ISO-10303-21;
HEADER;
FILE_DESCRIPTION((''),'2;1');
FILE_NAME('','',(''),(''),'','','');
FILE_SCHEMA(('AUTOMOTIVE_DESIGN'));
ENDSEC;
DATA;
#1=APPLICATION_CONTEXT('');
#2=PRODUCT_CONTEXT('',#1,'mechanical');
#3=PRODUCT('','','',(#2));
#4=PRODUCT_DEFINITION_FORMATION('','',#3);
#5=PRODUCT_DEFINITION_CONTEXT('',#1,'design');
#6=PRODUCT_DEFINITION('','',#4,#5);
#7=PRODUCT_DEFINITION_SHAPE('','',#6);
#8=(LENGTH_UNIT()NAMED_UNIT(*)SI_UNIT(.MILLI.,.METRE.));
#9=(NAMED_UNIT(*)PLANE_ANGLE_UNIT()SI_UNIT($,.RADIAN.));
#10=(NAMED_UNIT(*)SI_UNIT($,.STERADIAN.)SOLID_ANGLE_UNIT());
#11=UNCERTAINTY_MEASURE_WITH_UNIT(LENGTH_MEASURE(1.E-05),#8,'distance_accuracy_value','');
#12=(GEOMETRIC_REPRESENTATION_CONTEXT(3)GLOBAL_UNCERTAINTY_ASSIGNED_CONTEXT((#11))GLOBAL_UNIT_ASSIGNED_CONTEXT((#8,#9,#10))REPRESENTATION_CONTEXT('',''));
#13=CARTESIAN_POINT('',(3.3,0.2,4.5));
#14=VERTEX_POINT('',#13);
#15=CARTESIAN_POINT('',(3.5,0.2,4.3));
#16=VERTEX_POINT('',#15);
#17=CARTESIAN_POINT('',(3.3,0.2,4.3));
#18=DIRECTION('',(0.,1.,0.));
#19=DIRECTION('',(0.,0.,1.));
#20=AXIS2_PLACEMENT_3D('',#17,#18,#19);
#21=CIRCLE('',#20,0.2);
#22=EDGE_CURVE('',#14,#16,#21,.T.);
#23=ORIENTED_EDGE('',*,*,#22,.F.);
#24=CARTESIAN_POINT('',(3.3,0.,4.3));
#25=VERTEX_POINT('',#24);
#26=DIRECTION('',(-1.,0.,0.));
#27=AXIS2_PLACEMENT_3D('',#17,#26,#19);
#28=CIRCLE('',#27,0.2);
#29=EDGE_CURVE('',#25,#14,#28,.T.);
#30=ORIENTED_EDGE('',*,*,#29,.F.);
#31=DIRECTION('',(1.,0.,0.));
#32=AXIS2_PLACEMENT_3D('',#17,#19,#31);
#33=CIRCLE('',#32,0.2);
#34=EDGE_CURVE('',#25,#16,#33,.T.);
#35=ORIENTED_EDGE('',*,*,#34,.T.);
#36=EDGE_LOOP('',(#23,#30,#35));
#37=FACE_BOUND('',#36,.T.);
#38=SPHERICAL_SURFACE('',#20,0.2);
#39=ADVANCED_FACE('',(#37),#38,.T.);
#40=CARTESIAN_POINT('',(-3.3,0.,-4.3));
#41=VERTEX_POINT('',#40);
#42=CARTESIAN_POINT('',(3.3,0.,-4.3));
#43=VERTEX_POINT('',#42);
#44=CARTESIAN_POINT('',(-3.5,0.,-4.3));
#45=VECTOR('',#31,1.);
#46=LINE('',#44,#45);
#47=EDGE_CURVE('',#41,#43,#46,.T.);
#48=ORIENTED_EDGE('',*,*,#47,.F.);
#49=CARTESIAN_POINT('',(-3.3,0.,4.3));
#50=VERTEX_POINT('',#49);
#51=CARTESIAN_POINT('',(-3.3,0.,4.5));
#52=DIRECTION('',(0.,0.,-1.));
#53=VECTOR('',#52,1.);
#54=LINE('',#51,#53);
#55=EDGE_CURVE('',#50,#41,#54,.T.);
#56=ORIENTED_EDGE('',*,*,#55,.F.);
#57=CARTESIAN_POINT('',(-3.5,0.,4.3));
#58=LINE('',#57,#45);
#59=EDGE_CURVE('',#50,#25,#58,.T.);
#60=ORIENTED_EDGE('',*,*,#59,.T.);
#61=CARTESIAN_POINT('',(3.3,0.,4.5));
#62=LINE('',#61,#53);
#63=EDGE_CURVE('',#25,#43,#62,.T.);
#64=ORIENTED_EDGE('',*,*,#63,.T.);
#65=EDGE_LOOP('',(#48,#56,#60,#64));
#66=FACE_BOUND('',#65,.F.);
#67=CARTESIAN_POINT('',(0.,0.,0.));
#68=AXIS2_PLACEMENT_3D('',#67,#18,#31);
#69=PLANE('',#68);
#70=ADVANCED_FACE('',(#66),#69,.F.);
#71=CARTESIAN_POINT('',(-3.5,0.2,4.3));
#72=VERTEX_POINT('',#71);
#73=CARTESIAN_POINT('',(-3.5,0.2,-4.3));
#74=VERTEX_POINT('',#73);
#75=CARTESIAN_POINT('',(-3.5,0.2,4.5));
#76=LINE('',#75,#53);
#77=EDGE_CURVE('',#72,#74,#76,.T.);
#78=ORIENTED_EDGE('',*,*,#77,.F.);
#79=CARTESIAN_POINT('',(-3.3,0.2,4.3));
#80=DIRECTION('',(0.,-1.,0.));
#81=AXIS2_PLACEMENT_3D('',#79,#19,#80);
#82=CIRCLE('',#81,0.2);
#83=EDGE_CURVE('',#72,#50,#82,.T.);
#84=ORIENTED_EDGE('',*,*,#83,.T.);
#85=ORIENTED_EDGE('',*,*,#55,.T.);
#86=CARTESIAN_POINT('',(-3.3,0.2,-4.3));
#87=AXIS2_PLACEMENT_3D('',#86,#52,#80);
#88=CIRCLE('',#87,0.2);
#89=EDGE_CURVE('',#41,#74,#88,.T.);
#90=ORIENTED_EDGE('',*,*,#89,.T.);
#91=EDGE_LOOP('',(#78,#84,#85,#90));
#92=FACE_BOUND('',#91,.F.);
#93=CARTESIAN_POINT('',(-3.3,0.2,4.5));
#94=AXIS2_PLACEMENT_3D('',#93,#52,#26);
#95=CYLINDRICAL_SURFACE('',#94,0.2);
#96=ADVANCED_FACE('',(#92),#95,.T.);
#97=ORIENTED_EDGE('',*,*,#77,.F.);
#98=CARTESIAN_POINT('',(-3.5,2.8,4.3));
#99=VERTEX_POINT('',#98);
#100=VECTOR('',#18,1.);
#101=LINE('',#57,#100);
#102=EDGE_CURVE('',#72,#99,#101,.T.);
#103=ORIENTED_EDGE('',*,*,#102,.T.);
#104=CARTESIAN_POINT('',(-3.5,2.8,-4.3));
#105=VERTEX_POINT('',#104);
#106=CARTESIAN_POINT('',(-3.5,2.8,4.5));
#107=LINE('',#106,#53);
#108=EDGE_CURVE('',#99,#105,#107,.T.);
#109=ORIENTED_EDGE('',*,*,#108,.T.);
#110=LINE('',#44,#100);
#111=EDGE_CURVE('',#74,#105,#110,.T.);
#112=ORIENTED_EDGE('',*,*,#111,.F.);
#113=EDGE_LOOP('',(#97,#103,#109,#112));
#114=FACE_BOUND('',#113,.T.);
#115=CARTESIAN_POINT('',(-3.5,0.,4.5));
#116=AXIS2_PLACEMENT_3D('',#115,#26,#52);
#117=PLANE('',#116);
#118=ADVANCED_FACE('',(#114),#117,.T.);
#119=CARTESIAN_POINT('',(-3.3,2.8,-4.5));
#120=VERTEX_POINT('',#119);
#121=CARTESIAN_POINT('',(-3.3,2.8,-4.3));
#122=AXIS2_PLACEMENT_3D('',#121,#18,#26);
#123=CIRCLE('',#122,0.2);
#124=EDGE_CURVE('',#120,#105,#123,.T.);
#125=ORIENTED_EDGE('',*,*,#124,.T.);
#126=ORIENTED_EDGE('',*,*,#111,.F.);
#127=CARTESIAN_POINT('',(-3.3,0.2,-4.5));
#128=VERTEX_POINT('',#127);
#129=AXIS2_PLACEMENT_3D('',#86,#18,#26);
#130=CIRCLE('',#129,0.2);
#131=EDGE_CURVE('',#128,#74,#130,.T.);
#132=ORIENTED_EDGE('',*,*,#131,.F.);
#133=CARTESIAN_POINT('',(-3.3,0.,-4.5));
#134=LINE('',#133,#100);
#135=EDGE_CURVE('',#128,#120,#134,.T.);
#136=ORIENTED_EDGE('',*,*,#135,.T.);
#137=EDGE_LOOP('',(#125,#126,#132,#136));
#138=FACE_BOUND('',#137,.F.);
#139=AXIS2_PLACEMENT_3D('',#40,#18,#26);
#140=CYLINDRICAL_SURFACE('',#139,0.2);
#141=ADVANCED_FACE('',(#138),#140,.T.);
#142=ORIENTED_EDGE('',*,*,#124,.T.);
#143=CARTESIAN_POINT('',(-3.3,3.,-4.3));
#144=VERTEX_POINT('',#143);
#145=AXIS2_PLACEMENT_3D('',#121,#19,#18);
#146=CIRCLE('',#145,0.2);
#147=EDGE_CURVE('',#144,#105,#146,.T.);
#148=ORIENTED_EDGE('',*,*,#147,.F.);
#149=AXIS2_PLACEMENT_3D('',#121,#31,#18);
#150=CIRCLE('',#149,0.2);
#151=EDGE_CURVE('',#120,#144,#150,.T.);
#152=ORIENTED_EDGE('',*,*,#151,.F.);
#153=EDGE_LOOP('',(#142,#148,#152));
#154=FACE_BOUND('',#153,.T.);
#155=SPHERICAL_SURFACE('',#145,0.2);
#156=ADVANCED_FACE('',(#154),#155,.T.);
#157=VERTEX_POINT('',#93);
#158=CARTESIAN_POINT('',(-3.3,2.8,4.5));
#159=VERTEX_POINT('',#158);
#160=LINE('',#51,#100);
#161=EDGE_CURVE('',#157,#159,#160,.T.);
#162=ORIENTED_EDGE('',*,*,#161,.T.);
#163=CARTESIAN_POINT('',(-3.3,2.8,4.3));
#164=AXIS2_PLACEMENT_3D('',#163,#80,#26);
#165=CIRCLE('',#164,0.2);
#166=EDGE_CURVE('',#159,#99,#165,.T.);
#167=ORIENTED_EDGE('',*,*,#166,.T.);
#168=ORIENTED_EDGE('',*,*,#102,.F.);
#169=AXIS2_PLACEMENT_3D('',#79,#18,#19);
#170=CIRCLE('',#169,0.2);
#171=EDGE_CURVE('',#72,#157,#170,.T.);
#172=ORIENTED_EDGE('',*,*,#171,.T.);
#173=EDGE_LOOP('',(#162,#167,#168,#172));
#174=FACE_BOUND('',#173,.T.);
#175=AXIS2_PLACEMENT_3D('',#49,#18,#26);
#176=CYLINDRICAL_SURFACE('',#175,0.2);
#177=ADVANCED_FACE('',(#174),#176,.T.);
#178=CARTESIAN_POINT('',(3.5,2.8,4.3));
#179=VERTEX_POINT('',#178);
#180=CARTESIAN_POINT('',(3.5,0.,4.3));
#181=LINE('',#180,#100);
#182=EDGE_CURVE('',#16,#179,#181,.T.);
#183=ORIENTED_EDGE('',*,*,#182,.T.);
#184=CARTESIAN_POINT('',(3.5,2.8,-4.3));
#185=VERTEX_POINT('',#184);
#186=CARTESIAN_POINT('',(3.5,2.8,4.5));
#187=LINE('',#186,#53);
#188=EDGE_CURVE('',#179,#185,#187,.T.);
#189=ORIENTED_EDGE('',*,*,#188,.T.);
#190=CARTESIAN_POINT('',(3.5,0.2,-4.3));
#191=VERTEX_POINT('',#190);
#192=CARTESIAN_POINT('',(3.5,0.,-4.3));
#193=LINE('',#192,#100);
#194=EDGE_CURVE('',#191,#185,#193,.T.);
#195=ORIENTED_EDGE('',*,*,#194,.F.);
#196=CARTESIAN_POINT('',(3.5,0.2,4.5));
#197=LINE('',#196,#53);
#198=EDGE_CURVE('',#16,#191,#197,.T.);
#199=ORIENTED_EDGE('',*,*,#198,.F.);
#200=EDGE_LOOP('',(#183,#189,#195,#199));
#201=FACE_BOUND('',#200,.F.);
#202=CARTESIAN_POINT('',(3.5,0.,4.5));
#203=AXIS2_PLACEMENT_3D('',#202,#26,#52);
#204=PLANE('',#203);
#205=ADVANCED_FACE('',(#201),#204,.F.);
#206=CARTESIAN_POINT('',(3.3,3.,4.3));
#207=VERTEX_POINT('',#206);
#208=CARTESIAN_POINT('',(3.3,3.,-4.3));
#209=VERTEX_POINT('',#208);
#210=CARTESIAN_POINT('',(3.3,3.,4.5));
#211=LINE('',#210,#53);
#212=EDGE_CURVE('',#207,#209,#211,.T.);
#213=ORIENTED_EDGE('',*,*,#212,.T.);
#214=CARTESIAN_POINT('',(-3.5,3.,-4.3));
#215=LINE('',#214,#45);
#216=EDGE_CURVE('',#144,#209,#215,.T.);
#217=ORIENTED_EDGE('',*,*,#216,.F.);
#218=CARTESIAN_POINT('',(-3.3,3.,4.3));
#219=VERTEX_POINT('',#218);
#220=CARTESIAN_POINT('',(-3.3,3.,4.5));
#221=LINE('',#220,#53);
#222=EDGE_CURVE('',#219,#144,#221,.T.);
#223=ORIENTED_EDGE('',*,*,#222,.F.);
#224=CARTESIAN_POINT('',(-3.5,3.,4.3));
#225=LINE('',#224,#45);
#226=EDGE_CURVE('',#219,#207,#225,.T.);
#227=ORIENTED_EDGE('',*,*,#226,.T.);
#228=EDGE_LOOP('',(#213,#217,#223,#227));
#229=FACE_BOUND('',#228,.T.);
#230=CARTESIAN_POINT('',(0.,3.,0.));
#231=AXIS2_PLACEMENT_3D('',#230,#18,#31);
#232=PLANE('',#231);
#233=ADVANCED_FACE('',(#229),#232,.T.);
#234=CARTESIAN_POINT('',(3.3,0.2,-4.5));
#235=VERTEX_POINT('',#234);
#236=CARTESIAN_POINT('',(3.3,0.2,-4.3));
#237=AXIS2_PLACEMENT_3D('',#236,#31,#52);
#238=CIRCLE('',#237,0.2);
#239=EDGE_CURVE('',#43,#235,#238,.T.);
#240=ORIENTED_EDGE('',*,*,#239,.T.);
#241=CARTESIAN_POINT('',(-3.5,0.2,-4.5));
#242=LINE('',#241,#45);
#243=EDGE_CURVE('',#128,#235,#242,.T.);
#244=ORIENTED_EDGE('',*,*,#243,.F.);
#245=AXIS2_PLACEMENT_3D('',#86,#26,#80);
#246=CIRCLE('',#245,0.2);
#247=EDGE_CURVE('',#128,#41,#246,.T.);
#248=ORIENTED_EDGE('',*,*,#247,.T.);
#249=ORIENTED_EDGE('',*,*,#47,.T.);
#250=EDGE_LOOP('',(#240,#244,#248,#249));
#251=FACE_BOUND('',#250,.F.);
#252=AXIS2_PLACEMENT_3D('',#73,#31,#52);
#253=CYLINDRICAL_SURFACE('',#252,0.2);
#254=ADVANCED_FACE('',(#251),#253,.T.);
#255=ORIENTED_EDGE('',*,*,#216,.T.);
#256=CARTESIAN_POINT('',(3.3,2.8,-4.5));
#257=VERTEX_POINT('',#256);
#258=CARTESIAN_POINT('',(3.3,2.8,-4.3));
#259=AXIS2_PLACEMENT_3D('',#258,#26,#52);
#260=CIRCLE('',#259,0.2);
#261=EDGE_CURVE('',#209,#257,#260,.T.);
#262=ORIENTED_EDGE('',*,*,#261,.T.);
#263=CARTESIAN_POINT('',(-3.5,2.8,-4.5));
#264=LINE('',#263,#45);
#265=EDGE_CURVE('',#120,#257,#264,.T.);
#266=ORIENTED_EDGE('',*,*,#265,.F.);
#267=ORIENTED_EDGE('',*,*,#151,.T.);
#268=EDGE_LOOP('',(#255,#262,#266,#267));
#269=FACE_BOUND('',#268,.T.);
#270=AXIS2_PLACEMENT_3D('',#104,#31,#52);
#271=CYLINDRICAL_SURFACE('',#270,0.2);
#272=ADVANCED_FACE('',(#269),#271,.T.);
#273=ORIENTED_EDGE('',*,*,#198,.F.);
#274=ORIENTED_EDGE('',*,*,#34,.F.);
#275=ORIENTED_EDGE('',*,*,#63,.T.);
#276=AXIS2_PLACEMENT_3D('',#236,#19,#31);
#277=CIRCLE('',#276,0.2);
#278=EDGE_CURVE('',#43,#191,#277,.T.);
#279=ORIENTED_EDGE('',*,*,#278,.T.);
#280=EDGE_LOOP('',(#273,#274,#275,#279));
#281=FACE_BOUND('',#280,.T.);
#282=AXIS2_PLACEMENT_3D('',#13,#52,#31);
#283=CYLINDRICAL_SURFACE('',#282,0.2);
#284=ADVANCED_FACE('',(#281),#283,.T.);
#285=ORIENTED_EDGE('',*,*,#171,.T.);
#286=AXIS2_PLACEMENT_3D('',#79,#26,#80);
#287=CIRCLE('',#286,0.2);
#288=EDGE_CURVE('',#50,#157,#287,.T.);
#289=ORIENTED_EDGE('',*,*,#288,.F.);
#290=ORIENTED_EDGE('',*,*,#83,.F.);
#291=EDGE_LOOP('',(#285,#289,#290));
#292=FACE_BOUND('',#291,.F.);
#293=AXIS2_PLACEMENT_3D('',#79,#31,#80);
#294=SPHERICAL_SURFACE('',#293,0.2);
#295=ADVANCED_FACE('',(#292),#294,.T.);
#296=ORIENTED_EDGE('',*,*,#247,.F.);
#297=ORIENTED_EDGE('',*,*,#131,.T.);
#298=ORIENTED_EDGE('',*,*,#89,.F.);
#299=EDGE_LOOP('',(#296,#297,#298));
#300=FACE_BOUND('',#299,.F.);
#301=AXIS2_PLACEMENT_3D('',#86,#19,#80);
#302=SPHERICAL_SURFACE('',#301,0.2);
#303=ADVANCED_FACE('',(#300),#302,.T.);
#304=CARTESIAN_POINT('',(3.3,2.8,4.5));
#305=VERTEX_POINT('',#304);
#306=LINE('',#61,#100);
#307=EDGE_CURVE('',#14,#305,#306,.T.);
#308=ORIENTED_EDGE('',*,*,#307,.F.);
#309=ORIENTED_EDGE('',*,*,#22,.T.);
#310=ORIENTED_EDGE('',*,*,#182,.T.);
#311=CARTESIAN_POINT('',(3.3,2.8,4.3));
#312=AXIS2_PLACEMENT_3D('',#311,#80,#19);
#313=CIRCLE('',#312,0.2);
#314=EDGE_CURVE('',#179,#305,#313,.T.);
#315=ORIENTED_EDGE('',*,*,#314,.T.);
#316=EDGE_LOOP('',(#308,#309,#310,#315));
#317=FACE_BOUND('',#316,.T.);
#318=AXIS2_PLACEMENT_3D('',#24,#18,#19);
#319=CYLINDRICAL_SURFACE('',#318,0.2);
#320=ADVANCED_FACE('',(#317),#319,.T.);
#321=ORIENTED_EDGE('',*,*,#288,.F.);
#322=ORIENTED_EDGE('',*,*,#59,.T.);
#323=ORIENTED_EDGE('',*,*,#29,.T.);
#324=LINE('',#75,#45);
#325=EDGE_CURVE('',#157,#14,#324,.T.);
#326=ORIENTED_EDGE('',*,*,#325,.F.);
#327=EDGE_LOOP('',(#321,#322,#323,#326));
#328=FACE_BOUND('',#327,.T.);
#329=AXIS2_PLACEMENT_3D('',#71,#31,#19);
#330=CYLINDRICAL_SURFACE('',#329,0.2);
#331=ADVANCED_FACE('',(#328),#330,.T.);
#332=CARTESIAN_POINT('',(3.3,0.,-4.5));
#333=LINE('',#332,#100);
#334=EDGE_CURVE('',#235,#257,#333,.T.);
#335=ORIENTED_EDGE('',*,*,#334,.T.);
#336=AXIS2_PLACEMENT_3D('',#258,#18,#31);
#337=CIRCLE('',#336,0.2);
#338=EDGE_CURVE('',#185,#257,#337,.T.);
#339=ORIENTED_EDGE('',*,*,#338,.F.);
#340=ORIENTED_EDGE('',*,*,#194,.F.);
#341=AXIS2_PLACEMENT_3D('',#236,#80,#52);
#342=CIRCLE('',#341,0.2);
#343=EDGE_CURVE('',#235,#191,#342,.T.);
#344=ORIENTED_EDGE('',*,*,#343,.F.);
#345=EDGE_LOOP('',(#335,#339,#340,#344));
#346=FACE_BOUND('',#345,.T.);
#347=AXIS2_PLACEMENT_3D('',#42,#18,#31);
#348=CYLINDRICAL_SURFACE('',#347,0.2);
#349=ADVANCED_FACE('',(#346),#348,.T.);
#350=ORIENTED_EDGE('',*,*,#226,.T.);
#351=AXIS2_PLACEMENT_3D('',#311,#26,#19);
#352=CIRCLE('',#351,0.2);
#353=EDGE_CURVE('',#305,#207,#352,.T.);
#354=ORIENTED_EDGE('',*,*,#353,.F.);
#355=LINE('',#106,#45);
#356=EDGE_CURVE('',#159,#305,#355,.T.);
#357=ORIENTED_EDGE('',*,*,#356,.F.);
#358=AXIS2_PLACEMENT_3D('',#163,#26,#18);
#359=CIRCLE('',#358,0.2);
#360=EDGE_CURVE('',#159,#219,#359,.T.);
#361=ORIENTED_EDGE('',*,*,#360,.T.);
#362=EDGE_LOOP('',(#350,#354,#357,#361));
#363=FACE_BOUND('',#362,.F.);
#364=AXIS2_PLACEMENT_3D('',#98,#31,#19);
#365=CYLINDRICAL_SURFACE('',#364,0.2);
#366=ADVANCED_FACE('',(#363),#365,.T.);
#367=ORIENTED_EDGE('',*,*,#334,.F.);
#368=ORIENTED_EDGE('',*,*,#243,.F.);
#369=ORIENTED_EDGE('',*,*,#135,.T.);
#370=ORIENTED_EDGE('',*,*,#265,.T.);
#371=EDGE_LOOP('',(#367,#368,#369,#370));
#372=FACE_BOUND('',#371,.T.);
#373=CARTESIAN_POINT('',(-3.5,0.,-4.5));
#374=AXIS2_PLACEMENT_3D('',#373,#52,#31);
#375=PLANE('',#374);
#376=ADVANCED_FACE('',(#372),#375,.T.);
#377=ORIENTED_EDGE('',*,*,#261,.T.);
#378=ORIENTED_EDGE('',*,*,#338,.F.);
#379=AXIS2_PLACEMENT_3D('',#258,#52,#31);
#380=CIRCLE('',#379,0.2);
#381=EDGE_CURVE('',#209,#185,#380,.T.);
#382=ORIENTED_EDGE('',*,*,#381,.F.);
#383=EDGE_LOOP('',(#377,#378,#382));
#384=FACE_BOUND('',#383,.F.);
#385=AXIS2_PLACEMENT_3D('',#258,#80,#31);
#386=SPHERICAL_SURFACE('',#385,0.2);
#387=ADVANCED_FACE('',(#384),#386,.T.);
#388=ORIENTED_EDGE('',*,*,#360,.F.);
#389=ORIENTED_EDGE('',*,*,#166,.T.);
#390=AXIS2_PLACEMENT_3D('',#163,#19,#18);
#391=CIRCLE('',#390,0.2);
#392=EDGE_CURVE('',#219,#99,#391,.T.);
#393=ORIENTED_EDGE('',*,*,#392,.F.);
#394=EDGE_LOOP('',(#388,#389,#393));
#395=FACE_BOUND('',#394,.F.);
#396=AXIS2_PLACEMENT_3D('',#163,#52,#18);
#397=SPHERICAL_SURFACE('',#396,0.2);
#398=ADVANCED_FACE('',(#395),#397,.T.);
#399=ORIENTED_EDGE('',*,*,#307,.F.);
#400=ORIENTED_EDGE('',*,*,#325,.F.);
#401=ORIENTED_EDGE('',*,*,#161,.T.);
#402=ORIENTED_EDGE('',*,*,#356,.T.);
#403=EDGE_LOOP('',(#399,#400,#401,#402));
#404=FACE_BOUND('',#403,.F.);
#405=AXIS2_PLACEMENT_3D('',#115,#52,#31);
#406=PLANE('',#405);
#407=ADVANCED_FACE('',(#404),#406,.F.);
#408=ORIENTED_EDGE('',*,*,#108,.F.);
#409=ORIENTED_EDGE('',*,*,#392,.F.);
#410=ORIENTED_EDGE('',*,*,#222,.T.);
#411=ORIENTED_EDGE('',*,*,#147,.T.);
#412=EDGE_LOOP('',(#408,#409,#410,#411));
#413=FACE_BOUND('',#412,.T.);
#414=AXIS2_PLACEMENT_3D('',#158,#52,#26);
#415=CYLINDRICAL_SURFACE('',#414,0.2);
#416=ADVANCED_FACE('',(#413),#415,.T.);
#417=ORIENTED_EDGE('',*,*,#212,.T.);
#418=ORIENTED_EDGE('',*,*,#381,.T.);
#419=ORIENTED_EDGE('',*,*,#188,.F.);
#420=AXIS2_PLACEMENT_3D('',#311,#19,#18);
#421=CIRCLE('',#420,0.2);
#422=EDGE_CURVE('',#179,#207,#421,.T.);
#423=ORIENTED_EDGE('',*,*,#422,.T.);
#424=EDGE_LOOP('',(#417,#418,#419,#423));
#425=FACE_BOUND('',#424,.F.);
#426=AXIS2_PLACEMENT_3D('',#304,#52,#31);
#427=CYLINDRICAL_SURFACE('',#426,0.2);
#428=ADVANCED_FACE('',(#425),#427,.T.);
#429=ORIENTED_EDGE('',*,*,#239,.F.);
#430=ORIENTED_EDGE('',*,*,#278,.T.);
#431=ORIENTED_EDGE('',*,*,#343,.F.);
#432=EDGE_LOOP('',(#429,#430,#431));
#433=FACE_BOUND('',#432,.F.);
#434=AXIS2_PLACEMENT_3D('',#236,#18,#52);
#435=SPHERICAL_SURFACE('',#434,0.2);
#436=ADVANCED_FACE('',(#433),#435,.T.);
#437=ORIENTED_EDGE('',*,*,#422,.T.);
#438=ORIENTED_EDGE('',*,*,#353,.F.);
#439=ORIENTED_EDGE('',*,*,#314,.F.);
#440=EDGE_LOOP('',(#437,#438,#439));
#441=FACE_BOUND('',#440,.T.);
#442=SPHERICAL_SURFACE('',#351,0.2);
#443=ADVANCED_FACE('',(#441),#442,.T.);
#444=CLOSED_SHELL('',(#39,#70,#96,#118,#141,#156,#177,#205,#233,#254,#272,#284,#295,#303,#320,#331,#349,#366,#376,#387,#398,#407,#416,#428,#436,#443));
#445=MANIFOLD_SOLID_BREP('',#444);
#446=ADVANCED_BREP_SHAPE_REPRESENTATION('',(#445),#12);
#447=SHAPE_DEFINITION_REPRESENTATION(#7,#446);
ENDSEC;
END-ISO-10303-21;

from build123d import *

# Parameters (mm, degrees)
SKETCH1_W         = 7
SKETCH1_H         = 9
BOOK_DEPTH        = 3
SMOOTHING_EDGES_R = 0.2


with BuildPart() as part:
    # Sketch1 → Book (new body)
    with BuildSketch(Plane(origin=(0, 0, 0), x_dir=(1, 0, 0), z_dir=(0, 1, 0))):
        Rectangle(SKETCH1_W, SKETCH1_H)
    extrude(amount=BOOK_DEPTH)

    # Smoothing edges
    smoothing_edges_edges = [part.edges().sort_by_distance(p)[0] for p in [
        (-3.5, 3, 0),
        (0, 3, 4.5),
        (3.5, 1.5, -4.5),
        (3.5, 1.5, -4.5),
        (3.5, 1.5, 4.5),
        (3.5, 1.5, 4.5),
        (3.5, 1.5, 4.5),
        (3.5, 1.5, 4.5),
        (3.5, 1.5, -4.5),
        (3.5, 1.5, -4.5),
        (3.5, 3, 0),
        (0, 0, 4.5),
        (-3.5, 0, 0),
        (0, 0, -4.5),
        (3.5, 0, 0),
        (0, 3, -4.5),
        (3.5, 1.5, 4.5),
        (-3.5, 1.5, 4.5),
        (-3.5, 1.5, -4.5),
        (3.5, 1.5, -4.5),
    ]]
    fillet(smoothing_edges_edges, radius=SMOOTHING_EDGES_R)


solid = part.part
